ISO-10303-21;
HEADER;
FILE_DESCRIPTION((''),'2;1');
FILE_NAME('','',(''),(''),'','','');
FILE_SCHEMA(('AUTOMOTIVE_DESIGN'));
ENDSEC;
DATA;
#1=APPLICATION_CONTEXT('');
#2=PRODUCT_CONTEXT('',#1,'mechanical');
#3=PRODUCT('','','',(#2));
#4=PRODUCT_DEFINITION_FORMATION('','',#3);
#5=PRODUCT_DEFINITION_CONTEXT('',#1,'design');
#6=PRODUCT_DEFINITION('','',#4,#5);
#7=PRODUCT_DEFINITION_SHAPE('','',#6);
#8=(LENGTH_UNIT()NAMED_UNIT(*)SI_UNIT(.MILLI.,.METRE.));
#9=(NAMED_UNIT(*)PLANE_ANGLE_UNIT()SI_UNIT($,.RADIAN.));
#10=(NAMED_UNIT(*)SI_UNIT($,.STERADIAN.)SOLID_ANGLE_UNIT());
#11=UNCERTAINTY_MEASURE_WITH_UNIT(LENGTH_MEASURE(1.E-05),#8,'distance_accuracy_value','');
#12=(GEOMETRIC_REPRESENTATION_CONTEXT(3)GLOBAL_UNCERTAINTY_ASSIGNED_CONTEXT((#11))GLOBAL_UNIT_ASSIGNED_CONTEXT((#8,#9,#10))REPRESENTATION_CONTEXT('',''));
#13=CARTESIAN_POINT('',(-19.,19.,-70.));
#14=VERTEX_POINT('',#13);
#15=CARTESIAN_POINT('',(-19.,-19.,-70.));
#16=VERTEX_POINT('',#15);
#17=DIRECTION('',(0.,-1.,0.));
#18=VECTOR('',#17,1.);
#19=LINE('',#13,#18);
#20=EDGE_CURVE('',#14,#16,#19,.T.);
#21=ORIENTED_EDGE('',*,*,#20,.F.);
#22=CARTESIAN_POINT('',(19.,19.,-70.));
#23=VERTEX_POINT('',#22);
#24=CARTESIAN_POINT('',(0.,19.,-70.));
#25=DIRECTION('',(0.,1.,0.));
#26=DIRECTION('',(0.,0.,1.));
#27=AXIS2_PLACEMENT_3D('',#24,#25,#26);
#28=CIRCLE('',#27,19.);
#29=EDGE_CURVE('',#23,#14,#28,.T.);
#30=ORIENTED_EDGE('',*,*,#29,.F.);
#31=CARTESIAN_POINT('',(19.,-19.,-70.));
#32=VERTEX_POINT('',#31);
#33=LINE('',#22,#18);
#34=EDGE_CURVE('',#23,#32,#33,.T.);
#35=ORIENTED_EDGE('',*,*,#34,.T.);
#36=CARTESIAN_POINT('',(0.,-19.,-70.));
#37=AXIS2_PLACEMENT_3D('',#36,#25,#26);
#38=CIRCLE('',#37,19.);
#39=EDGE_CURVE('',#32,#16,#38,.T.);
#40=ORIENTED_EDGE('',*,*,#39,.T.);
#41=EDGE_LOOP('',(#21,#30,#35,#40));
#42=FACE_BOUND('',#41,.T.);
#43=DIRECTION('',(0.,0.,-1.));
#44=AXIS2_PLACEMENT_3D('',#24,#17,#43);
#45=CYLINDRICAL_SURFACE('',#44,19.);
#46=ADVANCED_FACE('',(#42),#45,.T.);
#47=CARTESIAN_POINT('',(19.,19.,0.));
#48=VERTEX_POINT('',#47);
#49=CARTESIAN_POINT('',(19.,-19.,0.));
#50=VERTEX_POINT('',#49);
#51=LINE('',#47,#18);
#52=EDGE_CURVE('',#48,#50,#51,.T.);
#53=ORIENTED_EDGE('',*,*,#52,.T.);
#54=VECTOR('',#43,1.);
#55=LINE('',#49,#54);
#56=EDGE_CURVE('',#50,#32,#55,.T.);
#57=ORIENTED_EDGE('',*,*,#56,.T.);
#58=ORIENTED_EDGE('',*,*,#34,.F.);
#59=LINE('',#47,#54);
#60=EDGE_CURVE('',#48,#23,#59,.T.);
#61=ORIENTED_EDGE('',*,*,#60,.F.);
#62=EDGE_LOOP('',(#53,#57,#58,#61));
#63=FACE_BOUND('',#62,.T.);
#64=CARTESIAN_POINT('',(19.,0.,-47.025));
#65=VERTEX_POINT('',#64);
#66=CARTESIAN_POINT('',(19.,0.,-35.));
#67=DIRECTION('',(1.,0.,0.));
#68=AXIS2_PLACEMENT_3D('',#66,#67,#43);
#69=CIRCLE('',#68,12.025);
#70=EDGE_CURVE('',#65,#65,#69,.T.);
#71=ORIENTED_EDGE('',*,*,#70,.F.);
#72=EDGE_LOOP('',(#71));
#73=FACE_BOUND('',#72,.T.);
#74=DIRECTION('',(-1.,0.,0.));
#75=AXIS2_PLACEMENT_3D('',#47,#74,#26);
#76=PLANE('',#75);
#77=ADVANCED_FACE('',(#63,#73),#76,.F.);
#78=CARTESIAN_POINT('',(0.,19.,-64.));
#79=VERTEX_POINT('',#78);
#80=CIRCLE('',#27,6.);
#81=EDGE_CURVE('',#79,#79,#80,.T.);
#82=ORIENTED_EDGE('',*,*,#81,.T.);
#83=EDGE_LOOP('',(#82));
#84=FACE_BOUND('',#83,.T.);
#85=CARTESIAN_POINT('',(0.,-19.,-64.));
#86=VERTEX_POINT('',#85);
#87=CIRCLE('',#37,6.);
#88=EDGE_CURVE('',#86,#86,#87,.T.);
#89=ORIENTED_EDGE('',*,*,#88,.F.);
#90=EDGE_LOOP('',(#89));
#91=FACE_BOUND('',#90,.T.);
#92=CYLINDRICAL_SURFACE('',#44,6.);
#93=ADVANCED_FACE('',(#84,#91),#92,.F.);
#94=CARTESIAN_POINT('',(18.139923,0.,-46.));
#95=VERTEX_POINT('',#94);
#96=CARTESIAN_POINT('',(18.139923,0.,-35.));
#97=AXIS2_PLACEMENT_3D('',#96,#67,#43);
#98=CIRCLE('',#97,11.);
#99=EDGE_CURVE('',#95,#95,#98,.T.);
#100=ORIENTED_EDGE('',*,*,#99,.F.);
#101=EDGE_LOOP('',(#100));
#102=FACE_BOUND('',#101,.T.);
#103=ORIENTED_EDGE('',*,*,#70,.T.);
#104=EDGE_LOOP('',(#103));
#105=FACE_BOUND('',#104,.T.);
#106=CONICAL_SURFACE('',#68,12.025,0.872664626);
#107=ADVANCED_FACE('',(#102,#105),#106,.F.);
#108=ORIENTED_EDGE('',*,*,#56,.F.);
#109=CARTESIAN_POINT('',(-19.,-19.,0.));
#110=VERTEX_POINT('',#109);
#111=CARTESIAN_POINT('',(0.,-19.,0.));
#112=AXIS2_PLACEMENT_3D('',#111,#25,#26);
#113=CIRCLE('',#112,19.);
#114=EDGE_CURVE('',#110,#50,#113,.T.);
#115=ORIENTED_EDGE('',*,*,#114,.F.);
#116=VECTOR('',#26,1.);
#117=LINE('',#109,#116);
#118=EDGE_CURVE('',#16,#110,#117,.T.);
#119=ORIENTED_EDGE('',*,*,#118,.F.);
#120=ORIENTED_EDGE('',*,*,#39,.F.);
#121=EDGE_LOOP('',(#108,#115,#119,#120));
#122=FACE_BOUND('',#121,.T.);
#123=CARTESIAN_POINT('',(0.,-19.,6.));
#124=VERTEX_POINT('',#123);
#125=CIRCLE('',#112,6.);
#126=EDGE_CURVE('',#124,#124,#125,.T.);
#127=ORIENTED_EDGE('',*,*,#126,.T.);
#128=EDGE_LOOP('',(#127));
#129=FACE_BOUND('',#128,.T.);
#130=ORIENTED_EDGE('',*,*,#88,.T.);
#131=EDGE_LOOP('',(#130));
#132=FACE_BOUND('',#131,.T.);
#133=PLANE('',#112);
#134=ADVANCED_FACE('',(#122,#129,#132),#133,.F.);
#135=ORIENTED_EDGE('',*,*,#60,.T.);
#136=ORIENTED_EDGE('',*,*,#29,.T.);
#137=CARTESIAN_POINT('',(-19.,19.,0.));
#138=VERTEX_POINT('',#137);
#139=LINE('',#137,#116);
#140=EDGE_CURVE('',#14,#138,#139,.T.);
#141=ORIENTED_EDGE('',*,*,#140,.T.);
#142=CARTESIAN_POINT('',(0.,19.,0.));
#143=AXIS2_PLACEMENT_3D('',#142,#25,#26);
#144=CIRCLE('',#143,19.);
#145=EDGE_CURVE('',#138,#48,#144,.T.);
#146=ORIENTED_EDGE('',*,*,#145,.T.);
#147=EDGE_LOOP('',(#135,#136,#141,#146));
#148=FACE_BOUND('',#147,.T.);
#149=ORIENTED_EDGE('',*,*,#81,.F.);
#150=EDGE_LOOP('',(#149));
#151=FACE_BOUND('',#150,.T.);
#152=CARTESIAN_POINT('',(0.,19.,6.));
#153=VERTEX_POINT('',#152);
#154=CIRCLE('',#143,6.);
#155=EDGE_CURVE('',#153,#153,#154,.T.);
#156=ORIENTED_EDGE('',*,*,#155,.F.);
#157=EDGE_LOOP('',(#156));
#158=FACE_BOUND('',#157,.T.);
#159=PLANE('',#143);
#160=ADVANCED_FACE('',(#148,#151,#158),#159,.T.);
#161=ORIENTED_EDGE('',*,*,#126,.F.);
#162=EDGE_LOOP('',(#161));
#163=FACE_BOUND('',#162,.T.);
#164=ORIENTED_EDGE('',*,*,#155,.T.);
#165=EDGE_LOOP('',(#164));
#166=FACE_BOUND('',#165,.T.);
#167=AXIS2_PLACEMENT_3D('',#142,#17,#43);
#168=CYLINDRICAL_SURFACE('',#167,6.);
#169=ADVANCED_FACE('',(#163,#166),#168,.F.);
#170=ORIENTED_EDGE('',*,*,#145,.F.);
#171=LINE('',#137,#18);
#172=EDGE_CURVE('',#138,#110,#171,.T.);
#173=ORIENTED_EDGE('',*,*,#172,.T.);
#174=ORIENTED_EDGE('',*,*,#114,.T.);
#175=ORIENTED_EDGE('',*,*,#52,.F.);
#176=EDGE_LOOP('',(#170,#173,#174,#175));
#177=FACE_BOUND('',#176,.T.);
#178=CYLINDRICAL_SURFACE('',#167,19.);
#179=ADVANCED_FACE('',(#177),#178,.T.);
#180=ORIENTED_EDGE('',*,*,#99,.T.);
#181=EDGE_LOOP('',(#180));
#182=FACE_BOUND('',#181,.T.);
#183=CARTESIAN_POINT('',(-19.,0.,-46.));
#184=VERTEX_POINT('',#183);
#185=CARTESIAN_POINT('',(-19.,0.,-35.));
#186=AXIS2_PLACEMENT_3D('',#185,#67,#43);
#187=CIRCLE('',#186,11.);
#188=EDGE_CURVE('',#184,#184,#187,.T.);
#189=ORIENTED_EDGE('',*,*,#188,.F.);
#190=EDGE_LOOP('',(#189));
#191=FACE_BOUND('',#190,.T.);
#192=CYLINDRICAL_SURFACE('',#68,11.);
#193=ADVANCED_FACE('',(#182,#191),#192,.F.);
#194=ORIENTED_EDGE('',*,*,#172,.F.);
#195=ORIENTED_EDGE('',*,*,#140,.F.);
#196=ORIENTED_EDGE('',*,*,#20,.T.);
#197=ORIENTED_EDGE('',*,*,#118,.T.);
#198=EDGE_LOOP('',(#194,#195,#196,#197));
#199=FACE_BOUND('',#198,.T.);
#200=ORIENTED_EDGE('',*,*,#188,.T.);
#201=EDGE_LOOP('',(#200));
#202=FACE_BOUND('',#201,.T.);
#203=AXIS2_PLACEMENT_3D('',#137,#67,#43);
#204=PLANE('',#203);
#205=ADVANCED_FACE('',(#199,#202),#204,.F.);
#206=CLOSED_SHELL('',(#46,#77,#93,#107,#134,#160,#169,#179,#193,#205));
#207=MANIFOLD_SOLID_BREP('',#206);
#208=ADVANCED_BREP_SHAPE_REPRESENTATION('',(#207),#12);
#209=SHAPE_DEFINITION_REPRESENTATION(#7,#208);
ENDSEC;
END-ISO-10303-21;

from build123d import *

# Parameters (mm, degrees)
SKETCH1_R                        = 6
BOSS_EXTRUDE1_DEPTH              = 19
M24X2_0_TAPPED_HOLE1_D           = 22
M24X2_0_TAPPED_HOLE1_DEPTH       = 38
M24X2_0_TAPPED_HOLE1_CSINK_D     = 24.05
M24X2_0_TAPPED_HOLE1_CSINK_ANGLE = 100
M24X2_0_TAPPED_HOLE1_TIP         = 6.609466809


with BuildPart() as part:
    # Sketch1 → Boss-Extrude1 (new, symmetric)
    with BuildSketch(Plane(origin=(0, 0, 0), x_dir=(1, 0, 0), z_dir=(0, 1, 0))):
        with BuildLine():
            Line((-19, 0), (-19, 70))
            ThreePointArc((-19, 70), (0, 89), (19, 70))
            Line((19, 70), (19, 0))
            ThreePointArc((19, 0), (0, -19), (-19, 0))
        make_face()
        with Locations(Location((0, 70, 0), (0, 0, 270))):
            Circle(SKETCH1_R, mode=Mode.SUBTRACT)
        with Locations(Location((0, 0, 0), (0, 0, 270))):
            Circle(SKETCH1_R, mode=Mode.SUBTRACT)
    extrude(amount=BOSS_EXTRUDE1_DEPTH, both=True)

    # M24x2.0 Tapped Hole1
    with Locations(Plane(origin=(19, 0, 0), x_dir=(0, 0, -1), z_dir=(1, 0, 0))):
        with Locations((35, 0)):
            CounterSinkHole(M24X2_0_TAPPED_HOLE1_D / 2, M24X2_0_TAPPED_HOLE1_CSINK_D / 2, depth=M24X2_0_TAPPED_HOLE1_DEPTH, counter_sink_angle=M24X2_0_TAPPED_HOLE1_CSINK_ANGLE)
            with Locations((0, 0, -(M24X2_0_TAPPED_HOLE1_DEPTH + M24X2_0_TAPPED_HOLE1_TIP / 2))):  # 118° drill point
                Cone(0, M24X2_0_TAPPED_HOLE1_D / 2, M24X2_0_TAPPED_HOLE1_TIP, mode=Mode.SUBTRACT)


solid = part.part
